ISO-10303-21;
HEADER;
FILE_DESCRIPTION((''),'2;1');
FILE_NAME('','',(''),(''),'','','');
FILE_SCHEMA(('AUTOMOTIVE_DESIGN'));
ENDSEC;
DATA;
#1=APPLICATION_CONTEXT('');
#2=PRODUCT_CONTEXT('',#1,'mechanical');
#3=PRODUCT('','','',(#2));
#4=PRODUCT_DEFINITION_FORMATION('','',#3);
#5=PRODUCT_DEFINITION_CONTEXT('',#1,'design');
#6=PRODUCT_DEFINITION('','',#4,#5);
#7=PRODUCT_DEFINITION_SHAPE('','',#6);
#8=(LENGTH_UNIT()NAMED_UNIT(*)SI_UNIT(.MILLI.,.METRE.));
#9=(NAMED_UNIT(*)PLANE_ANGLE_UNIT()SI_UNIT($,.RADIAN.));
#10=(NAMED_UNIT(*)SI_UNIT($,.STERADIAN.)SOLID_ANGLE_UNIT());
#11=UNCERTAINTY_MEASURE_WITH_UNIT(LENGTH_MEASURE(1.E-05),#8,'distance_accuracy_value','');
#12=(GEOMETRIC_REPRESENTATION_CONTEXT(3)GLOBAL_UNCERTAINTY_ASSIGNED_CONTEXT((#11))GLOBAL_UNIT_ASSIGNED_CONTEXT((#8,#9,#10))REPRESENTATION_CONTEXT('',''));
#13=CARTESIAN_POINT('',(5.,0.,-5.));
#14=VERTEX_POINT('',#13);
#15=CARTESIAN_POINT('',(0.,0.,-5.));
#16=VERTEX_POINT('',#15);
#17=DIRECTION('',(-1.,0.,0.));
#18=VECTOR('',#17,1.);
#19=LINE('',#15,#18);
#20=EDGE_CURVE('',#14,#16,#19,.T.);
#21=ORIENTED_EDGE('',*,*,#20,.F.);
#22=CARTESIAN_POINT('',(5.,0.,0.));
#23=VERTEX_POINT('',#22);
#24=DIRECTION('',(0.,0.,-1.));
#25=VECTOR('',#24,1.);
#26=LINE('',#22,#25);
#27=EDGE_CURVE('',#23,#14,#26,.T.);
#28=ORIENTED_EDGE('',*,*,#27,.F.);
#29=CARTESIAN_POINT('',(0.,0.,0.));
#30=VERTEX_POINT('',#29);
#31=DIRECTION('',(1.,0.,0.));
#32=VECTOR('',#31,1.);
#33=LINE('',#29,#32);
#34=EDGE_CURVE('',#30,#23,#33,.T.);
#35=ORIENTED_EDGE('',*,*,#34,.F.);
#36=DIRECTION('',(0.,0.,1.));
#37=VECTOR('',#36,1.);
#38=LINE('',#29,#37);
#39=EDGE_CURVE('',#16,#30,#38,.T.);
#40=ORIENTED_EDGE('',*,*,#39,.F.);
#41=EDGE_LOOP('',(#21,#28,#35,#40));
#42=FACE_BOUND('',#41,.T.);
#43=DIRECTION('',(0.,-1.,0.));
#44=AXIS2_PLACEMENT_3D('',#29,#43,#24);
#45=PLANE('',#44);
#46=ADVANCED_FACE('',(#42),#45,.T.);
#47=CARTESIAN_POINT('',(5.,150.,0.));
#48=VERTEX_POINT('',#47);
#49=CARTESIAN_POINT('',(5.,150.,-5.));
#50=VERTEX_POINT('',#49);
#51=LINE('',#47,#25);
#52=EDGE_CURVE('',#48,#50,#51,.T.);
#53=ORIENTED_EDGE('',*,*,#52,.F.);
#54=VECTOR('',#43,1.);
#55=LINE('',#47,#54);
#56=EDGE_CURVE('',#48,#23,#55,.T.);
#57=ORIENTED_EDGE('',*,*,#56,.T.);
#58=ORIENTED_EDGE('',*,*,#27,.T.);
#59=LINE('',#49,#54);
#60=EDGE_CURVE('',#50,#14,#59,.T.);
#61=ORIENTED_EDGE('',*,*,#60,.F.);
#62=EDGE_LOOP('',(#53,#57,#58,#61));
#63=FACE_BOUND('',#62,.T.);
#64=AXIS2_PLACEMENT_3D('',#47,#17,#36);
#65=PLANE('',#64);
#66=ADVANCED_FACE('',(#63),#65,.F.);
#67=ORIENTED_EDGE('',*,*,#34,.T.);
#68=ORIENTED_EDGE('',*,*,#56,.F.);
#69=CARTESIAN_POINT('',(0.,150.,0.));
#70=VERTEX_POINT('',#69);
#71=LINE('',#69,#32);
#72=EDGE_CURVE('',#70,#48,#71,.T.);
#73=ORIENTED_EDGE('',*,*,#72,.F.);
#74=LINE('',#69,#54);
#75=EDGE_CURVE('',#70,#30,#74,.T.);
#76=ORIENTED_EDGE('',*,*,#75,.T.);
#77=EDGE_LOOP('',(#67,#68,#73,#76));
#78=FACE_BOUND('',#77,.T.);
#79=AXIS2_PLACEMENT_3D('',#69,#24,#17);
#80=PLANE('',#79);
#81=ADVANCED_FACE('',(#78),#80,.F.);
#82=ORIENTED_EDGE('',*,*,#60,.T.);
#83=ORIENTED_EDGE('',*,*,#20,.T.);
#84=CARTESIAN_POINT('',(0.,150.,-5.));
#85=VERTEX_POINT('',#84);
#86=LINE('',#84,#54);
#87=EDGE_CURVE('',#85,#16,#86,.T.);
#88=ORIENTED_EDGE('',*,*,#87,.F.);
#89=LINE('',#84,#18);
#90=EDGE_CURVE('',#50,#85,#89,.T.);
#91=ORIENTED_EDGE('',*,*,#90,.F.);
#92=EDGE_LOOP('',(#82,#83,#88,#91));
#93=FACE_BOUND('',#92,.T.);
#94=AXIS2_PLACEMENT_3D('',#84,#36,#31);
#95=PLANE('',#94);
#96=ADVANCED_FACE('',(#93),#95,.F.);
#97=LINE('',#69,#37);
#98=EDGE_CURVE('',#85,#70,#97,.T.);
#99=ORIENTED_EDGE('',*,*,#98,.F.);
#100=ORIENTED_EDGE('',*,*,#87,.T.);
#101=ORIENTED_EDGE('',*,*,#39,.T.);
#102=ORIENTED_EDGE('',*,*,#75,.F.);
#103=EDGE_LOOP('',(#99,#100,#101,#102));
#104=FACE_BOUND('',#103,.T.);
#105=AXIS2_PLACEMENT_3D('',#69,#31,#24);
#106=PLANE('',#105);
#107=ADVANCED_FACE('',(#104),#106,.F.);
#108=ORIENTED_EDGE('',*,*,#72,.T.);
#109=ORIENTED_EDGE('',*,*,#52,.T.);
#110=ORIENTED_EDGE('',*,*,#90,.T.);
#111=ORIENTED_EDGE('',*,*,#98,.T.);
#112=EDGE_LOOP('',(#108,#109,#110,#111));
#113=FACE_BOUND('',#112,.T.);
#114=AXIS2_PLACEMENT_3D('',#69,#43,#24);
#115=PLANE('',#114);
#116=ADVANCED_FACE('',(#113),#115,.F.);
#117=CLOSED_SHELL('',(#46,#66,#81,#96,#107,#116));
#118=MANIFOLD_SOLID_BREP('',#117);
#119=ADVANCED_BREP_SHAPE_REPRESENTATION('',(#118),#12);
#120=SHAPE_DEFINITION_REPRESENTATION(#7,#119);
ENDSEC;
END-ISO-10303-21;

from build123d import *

# Parameters (mm, degrees)
SKETCH_1_W      = 5
SKETCH_1_H      = 5
EXTRUDE_1_DEPTH = 150


with BuildPart() as part:
    # 草图1 → 凸台-拉伸1 (new body)
    with BuildSketch(Plane(origin=(0, 0, 0), x_dir=(1, 0, 0), z_dir=(0, 1, 0))):
        with Locations((2.5, 2.5)):
            Rectangle(SKETCH_1_W, SKETCH_1_H)
    extrude(amount=EXTRUDE_1_DEPTH)


solid = part.part
